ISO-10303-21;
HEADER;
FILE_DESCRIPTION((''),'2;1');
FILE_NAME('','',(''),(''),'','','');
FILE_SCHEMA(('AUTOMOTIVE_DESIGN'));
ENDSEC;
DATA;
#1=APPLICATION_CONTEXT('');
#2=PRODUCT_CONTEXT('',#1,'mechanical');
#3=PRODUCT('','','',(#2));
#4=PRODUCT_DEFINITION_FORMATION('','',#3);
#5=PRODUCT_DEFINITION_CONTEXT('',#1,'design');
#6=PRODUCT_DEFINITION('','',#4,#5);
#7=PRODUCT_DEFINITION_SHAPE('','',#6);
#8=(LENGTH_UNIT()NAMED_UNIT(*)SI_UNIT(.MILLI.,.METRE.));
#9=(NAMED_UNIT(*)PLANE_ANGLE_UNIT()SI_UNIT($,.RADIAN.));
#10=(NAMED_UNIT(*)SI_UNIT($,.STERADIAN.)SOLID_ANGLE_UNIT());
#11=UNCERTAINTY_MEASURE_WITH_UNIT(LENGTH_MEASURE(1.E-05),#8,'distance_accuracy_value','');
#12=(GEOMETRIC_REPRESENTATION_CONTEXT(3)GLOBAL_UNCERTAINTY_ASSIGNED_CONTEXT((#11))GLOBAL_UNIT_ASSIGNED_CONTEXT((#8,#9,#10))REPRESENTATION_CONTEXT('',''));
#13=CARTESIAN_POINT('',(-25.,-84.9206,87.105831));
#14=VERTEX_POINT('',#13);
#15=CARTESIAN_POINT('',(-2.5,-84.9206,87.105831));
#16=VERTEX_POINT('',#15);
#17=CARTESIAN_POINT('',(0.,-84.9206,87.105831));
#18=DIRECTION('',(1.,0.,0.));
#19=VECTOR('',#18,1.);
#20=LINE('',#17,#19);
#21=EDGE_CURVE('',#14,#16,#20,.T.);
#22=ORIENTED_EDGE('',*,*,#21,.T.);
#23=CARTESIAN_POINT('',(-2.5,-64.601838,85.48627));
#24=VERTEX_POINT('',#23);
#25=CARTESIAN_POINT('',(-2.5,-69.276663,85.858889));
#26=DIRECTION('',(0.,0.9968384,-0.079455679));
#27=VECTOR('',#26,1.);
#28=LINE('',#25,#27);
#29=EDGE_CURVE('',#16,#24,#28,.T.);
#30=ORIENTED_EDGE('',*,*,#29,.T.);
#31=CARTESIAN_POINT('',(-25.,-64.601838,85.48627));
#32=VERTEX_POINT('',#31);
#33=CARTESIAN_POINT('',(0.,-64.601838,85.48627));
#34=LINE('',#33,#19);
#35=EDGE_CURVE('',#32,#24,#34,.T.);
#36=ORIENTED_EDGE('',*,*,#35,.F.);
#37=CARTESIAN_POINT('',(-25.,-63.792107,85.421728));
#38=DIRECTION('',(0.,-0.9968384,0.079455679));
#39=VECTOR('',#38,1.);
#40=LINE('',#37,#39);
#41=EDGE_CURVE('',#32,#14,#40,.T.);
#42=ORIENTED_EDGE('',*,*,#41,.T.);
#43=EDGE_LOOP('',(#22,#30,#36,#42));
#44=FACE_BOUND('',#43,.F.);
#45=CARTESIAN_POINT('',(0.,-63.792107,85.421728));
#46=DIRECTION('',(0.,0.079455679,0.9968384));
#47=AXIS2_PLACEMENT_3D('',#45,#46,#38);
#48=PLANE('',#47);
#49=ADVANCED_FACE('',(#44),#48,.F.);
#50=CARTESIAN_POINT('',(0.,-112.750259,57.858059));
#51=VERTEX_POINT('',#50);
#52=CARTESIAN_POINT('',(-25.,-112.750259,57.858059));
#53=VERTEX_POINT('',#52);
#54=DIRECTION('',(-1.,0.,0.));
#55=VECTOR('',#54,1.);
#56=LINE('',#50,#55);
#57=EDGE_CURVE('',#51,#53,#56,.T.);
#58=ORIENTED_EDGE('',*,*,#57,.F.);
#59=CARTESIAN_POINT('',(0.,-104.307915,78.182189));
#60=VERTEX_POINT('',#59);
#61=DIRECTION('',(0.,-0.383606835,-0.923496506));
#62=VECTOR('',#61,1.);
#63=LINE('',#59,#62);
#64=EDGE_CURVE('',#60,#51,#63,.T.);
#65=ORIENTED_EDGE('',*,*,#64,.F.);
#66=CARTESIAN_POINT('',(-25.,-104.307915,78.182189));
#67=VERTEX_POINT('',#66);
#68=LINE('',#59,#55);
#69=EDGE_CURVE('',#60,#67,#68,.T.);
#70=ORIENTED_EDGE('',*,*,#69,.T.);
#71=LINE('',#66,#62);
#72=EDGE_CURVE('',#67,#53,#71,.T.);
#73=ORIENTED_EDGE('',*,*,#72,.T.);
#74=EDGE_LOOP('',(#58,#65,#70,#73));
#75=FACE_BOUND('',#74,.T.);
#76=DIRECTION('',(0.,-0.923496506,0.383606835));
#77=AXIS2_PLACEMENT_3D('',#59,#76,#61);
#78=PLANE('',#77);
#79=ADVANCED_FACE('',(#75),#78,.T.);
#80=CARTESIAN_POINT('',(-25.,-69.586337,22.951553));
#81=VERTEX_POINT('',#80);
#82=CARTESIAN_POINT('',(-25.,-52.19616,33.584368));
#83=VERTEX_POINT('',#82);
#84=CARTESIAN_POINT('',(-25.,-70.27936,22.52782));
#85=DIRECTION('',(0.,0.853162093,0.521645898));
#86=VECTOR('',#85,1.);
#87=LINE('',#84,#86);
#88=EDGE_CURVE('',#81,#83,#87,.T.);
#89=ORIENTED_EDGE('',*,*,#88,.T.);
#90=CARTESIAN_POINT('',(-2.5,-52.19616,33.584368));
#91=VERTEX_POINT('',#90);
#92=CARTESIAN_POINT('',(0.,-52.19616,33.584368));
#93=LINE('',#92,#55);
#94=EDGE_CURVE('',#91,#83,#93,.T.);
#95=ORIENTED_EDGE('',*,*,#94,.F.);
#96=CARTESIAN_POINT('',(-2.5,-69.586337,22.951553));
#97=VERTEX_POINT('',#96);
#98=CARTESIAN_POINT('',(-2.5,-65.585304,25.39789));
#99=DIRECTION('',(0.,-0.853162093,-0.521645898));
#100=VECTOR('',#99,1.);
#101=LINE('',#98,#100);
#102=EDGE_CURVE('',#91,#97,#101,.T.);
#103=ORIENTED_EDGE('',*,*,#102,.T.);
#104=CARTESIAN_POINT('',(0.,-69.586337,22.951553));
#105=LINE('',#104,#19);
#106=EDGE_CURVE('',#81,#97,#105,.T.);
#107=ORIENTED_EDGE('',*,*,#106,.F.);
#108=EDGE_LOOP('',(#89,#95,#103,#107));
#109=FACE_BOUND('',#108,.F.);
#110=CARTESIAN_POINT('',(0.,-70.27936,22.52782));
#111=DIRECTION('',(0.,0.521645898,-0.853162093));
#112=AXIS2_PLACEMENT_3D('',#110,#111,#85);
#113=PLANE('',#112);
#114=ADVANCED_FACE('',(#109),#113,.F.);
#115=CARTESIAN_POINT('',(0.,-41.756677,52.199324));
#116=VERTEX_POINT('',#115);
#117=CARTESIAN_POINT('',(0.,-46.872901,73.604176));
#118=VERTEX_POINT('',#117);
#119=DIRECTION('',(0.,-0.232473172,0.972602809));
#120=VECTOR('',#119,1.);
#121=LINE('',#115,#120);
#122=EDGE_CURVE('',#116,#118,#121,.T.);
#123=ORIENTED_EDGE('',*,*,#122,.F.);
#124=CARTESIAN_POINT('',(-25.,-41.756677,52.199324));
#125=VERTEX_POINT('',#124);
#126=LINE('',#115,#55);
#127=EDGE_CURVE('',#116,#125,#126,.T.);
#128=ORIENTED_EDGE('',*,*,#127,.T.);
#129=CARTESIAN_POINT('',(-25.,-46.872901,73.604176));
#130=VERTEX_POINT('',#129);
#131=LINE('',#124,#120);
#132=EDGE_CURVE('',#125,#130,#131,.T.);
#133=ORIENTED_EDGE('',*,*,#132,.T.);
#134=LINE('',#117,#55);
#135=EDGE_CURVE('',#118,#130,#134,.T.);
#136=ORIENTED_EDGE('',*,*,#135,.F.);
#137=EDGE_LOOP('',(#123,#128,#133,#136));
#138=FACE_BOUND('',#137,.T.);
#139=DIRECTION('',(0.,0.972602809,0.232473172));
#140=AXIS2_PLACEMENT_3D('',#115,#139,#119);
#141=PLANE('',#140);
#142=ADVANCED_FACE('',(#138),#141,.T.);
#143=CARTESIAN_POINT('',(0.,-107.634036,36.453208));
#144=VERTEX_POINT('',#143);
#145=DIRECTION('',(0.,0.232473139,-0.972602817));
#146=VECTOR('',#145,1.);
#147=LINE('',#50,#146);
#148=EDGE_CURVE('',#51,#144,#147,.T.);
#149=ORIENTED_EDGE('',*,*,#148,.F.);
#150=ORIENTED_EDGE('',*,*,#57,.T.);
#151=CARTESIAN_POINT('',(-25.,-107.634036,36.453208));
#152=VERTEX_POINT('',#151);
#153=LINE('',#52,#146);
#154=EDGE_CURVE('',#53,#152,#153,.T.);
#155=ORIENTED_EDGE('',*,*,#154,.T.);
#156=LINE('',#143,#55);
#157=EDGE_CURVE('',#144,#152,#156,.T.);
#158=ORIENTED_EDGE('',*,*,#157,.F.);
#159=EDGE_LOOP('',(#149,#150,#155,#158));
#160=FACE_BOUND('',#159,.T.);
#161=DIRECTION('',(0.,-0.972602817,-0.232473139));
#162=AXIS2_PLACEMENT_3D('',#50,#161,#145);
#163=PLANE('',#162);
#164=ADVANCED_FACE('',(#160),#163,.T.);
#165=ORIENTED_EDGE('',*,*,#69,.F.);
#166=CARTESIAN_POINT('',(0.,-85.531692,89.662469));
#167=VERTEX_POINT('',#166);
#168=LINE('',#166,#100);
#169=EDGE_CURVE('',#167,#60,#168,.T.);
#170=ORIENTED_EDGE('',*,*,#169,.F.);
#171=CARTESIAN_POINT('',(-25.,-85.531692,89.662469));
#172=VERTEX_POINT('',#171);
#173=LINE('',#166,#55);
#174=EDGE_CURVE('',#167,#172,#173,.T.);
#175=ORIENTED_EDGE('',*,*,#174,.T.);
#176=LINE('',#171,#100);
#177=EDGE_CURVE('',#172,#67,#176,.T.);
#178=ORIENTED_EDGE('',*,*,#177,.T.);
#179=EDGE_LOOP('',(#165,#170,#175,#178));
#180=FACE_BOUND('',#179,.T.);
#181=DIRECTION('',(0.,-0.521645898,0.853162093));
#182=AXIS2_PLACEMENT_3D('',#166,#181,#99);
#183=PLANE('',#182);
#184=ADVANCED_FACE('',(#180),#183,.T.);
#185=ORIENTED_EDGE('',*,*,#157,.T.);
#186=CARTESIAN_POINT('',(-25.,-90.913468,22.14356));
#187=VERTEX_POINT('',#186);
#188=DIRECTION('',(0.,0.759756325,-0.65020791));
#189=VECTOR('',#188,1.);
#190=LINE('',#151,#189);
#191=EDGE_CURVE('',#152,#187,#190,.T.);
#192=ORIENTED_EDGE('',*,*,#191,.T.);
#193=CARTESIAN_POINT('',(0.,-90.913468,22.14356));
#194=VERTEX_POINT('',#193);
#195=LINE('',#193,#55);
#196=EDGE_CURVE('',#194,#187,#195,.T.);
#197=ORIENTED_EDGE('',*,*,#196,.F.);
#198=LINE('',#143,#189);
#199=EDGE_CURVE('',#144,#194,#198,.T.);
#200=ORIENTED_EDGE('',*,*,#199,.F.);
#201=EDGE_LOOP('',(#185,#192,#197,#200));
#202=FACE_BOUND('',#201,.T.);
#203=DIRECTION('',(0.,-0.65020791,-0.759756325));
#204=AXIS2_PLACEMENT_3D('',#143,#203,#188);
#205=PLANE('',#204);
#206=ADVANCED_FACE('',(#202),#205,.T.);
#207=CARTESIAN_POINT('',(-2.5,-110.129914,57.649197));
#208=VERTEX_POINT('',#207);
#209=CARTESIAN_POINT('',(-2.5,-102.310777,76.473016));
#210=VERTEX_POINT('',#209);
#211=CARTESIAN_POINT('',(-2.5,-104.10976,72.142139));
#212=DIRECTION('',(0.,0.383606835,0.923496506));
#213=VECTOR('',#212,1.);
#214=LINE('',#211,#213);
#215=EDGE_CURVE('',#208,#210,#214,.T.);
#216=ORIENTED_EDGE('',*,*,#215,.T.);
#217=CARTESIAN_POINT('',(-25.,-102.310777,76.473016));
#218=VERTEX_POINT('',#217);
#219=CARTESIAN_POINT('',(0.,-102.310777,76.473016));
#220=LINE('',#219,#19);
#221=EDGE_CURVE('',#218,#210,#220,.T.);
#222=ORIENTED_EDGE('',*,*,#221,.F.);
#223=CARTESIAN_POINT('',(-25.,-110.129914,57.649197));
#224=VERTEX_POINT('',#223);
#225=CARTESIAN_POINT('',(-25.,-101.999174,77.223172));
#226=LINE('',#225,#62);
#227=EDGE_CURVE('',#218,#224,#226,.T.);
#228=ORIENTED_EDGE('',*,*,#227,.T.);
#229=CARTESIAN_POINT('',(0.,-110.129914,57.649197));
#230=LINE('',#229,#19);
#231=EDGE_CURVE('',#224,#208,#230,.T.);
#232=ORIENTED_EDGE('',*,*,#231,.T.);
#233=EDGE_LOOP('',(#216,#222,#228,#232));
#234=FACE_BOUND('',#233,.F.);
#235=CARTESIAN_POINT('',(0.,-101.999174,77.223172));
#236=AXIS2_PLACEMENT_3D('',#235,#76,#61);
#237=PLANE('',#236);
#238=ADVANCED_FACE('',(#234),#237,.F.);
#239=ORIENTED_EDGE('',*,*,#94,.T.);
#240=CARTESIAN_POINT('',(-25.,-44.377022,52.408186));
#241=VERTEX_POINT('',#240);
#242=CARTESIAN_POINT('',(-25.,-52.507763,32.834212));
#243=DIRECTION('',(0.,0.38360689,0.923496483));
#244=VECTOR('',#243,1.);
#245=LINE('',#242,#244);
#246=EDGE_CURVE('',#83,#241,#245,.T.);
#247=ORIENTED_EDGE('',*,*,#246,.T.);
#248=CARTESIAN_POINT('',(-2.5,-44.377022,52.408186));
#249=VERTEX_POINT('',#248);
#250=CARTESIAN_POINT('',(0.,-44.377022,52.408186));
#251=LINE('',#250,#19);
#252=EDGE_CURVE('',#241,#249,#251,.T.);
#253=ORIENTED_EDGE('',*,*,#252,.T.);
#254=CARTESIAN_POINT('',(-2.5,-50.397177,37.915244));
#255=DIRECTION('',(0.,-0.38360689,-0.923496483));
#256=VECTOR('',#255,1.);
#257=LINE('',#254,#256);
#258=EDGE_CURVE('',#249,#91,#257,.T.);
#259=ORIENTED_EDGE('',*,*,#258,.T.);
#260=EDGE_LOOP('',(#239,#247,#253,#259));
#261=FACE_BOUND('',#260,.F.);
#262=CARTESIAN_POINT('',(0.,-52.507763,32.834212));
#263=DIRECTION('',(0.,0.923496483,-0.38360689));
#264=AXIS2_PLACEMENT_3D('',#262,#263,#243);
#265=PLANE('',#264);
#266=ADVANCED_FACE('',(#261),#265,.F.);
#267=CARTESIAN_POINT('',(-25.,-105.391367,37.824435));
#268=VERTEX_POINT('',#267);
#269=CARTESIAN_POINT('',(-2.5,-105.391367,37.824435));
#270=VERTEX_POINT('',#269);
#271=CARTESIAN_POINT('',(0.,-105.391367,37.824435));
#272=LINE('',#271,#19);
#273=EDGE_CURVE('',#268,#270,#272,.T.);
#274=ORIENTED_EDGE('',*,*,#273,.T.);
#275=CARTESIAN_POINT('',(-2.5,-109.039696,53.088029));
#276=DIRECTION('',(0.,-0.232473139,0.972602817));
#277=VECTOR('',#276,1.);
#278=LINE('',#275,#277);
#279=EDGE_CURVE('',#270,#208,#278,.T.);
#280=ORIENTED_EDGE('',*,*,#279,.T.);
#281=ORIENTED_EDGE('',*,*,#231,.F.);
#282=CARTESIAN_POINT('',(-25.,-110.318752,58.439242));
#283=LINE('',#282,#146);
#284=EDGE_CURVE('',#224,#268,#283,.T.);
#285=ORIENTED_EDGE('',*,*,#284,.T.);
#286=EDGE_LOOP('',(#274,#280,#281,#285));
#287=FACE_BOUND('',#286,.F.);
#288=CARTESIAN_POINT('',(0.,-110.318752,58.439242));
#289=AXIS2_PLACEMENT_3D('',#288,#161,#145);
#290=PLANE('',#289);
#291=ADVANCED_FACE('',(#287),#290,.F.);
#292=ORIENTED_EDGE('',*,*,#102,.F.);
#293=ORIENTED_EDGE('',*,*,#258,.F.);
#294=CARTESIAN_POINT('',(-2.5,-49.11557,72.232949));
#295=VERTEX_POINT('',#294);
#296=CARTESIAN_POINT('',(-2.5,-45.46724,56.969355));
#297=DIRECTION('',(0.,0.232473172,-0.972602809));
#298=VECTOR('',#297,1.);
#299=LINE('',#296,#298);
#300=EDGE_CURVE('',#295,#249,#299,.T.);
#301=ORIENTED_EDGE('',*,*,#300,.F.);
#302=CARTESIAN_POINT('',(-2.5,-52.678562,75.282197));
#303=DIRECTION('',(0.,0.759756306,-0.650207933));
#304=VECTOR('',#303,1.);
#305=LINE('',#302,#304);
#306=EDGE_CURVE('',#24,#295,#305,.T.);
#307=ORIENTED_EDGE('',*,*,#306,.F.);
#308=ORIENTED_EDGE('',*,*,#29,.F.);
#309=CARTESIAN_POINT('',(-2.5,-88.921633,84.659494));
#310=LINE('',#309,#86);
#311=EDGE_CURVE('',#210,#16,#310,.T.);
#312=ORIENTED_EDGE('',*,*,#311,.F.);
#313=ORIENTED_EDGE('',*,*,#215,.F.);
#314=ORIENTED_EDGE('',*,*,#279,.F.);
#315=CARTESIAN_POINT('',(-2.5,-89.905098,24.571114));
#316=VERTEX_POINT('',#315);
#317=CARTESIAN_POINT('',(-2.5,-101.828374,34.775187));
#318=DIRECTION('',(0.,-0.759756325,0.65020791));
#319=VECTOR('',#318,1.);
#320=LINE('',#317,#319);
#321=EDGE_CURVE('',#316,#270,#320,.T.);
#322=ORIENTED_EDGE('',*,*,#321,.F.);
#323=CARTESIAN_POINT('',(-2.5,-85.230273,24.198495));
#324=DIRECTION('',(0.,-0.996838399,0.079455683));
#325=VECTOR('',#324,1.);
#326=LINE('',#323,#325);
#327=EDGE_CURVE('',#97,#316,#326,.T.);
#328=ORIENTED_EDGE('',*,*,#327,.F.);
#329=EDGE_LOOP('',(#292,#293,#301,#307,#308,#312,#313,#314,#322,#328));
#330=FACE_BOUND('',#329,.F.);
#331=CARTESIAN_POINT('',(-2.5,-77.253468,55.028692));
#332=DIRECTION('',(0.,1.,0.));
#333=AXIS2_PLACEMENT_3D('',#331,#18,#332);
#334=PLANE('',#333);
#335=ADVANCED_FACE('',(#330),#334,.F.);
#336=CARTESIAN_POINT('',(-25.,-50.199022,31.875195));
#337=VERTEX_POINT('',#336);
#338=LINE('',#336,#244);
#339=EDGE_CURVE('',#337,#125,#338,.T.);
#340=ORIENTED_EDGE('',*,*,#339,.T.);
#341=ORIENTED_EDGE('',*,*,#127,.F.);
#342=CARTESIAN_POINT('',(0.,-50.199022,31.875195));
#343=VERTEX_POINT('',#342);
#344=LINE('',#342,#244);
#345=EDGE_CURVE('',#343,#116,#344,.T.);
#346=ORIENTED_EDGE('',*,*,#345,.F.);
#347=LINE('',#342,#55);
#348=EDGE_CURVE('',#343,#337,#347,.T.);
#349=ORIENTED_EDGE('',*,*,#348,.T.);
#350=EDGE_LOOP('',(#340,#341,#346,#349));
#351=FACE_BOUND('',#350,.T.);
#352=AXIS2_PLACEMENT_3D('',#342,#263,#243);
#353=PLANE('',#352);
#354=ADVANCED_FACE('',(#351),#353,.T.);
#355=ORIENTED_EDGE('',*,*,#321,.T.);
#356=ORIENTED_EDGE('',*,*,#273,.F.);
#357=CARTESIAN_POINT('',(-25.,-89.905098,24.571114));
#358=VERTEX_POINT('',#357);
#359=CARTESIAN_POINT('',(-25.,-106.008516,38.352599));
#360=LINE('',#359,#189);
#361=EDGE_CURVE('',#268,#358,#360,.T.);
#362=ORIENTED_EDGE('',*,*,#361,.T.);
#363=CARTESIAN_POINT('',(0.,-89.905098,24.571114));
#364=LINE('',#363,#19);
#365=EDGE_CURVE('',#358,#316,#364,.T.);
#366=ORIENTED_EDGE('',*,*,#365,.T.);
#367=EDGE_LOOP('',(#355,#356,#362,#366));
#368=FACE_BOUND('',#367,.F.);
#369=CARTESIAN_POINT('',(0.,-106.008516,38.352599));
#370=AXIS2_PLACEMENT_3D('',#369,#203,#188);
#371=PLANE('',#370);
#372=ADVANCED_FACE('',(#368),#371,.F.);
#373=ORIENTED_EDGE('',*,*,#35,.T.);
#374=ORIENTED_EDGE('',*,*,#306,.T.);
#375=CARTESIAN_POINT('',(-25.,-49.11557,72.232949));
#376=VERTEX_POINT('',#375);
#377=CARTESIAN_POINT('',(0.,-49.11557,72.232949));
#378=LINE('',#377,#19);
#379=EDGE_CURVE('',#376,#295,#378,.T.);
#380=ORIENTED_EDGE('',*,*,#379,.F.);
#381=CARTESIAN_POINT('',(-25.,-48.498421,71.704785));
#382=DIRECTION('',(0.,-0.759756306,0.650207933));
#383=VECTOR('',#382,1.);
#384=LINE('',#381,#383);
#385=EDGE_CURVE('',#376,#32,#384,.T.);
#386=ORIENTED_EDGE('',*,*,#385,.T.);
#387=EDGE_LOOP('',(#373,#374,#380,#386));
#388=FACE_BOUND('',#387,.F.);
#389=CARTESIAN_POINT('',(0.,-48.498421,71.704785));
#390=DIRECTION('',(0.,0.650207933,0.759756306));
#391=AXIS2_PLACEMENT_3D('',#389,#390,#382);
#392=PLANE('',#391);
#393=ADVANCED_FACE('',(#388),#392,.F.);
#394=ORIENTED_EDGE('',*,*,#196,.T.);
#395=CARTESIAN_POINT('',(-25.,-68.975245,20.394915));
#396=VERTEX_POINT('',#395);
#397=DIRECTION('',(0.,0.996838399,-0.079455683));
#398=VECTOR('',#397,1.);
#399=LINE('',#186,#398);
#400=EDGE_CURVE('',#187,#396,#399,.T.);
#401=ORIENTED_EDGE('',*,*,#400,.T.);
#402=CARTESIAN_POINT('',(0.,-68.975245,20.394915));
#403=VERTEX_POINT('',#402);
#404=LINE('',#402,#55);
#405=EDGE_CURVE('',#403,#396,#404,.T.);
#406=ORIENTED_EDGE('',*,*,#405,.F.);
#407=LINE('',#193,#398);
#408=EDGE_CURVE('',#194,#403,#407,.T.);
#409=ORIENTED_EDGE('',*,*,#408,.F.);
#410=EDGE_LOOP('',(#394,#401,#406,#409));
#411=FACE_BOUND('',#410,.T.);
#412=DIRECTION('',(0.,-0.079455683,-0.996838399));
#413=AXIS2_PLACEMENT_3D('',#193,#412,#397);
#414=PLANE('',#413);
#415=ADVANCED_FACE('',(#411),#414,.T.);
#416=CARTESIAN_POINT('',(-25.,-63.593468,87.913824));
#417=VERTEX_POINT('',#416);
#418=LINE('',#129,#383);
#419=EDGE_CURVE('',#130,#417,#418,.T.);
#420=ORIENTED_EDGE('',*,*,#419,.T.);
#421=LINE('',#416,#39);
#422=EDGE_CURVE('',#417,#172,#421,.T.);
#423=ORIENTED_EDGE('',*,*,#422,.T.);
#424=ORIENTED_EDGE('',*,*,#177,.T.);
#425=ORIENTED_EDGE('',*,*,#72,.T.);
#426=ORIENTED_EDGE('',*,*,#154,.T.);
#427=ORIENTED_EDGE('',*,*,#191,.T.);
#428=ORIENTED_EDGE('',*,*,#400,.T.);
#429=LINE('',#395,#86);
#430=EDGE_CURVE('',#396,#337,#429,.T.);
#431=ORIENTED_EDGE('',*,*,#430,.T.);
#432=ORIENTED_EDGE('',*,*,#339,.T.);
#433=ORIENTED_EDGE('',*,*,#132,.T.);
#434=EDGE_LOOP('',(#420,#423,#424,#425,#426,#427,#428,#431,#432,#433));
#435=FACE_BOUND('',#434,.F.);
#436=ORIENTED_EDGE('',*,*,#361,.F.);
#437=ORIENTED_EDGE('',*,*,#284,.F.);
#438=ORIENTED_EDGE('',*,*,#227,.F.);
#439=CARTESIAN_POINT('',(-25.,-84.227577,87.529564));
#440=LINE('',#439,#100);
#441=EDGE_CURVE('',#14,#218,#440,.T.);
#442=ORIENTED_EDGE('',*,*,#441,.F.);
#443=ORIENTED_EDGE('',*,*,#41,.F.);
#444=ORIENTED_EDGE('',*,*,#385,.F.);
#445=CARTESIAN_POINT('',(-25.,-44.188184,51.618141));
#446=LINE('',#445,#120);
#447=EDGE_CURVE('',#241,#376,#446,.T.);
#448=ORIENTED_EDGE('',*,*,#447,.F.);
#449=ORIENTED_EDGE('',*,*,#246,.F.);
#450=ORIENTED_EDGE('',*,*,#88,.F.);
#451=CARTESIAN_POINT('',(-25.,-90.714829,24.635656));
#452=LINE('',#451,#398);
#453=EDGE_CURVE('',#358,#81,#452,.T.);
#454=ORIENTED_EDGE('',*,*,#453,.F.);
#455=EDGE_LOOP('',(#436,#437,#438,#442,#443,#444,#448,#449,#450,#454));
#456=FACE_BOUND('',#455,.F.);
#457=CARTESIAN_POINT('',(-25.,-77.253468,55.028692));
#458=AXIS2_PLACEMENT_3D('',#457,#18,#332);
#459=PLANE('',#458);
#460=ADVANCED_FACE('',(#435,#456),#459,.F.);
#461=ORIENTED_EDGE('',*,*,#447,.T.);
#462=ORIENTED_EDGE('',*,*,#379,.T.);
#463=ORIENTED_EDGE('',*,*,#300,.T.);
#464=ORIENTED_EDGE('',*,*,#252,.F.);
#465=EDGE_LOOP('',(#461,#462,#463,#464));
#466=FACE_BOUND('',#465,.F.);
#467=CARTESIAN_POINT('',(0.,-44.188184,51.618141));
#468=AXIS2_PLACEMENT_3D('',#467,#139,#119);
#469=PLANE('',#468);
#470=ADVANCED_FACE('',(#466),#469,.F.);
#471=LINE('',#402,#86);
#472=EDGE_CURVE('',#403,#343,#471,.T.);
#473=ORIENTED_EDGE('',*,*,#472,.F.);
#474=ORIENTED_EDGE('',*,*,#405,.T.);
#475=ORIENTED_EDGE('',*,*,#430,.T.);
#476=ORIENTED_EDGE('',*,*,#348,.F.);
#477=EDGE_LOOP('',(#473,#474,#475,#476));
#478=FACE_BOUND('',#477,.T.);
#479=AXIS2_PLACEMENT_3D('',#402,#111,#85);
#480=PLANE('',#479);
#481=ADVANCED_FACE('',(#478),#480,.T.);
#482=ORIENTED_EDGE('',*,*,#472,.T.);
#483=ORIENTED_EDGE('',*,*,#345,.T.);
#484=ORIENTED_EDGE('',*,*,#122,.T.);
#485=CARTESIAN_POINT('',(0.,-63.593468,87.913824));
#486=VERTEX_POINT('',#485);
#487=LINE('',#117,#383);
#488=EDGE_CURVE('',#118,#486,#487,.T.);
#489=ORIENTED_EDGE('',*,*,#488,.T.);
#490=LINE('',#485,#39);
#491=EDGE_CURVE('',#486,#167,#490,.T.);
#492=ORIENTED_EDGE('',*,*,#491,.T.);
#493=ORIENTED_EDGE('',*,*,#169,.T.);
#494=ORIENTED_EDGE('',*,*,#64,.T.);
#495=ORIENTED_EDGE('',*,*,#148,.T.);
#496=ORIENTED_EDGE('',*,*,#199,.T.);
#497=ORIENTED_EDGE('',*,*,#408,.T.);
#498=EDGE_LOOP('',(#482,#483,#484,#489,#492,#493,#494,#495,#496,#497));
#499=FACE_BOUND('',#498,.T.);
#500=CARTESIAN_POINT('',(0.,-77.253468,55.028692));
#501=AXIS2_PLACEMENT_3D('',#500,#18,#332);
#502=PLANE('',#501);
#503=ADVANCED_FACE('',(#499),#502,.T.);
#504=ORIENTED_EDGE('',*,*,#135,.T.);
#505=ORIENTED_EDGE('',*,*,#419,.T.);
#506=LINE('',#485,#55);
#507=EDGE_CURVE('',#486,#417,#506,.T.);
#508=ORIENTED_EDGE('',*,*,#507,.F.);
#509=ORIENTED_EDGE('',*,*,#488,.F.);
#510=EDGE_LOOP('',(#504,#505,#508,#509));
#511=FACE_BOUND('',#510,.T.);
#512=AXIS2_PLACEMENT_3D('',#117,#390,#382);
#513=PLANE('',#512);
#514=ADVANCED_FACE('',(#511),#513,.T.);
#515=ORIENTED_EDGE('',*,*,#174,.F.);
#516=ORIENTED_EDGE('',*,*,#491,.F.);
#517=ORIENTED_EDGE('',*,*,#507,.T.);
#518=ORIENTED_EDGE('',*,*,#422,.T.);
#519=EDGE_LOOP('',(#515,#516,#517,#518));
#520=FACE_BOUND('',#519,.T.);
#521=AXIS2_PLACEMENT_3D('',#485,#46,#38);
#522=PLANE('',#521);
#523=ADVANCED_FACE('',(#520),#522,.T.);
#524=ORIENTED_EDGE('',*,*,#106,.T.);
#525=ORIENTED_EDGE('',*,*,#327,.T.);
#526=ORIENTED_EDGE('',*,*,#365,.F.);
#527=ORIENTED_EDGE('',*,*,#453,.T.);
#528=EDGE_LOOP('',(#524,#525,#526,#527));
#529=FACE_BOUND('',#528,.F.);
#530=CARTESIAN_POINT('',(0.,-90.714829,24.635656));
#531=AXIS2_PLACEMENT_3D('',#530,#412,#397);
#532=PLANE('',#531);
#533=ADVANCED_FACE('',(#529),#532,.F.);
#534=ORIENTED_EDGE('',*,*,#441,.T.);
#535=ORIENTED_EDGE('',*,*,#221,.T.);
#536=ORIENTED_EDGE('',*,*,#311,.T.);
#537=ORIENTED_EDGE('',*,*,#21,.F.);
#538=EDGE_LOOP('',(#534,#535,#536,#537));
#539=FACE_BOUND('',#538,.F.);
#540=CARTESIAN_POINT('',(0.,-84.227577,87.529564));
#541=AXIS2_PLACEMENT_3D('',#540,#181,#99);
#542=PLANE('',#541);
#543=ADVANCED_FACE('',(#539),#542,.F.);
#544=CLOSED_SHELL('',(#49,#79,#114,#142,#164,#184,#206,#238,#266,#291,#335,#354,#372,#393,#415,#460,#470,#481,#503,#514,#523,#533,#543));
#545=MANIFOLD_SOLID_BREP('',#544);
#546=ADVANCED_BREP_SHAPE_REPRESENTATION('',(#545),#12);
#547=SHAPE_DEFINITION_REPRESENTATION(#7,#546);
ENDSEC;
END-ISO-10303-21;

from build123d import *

# Parameters (mm, degrees)
F1_DEPTH = 25
F2_T     = -2.5


with BuildPart() as f1:
    # F0 (on Right) → F1 (new body)
    with BuildSketch(Plane.YZ):
        Polygon((-50.199022, 31.875195), (-41.756677, 52.199324), (-46.872901, 73.604176), (-63.593468, 87.913824), (-85.531692, 89.662469), (-104.307915, 78.182189), (-112.750259, 57.858059), (-107.634036, 36.453208), (-90.913468, 22.14356), (-68.975245, 20.394915), align=None)
        Polygon((-78.818129, 35.398706), (-90.057522, 40.067385), (-96.406201, 50.450774), (-95.439187, 62.582772), (-87.525847, 71.829368), (-75.688807, 74.658677), (-64.449415, 69.989999), (-58.100736, 59.60661), (-59.06775, 47.474612), (-66.98109, 38.228015), align=None, mode=Mode.SUBTRACT)
        Polygon((-96.406201, 50.450774), (-90.057522, 40.067385), (-78.818129, 35.398706), (-66.98109, 38.228015), (-59.06775, 47.474612), (-58.100736, 59.60661), (-64.449415, 69.989999), (-75.688807, 74.658677), (-87.525847, 71.829368), (-95.439187, 62.582772), align=None)
    extrude(amount=-F1_DEPTH)

    # F2
    f2_openings = [f1.faces().sort_by_distance(p)[0] for p in [
        (-25, -77.253468, 55.028692),
    ]]
    offset(amount=F2_T, openings=f2_openings)


solid = f1.part
